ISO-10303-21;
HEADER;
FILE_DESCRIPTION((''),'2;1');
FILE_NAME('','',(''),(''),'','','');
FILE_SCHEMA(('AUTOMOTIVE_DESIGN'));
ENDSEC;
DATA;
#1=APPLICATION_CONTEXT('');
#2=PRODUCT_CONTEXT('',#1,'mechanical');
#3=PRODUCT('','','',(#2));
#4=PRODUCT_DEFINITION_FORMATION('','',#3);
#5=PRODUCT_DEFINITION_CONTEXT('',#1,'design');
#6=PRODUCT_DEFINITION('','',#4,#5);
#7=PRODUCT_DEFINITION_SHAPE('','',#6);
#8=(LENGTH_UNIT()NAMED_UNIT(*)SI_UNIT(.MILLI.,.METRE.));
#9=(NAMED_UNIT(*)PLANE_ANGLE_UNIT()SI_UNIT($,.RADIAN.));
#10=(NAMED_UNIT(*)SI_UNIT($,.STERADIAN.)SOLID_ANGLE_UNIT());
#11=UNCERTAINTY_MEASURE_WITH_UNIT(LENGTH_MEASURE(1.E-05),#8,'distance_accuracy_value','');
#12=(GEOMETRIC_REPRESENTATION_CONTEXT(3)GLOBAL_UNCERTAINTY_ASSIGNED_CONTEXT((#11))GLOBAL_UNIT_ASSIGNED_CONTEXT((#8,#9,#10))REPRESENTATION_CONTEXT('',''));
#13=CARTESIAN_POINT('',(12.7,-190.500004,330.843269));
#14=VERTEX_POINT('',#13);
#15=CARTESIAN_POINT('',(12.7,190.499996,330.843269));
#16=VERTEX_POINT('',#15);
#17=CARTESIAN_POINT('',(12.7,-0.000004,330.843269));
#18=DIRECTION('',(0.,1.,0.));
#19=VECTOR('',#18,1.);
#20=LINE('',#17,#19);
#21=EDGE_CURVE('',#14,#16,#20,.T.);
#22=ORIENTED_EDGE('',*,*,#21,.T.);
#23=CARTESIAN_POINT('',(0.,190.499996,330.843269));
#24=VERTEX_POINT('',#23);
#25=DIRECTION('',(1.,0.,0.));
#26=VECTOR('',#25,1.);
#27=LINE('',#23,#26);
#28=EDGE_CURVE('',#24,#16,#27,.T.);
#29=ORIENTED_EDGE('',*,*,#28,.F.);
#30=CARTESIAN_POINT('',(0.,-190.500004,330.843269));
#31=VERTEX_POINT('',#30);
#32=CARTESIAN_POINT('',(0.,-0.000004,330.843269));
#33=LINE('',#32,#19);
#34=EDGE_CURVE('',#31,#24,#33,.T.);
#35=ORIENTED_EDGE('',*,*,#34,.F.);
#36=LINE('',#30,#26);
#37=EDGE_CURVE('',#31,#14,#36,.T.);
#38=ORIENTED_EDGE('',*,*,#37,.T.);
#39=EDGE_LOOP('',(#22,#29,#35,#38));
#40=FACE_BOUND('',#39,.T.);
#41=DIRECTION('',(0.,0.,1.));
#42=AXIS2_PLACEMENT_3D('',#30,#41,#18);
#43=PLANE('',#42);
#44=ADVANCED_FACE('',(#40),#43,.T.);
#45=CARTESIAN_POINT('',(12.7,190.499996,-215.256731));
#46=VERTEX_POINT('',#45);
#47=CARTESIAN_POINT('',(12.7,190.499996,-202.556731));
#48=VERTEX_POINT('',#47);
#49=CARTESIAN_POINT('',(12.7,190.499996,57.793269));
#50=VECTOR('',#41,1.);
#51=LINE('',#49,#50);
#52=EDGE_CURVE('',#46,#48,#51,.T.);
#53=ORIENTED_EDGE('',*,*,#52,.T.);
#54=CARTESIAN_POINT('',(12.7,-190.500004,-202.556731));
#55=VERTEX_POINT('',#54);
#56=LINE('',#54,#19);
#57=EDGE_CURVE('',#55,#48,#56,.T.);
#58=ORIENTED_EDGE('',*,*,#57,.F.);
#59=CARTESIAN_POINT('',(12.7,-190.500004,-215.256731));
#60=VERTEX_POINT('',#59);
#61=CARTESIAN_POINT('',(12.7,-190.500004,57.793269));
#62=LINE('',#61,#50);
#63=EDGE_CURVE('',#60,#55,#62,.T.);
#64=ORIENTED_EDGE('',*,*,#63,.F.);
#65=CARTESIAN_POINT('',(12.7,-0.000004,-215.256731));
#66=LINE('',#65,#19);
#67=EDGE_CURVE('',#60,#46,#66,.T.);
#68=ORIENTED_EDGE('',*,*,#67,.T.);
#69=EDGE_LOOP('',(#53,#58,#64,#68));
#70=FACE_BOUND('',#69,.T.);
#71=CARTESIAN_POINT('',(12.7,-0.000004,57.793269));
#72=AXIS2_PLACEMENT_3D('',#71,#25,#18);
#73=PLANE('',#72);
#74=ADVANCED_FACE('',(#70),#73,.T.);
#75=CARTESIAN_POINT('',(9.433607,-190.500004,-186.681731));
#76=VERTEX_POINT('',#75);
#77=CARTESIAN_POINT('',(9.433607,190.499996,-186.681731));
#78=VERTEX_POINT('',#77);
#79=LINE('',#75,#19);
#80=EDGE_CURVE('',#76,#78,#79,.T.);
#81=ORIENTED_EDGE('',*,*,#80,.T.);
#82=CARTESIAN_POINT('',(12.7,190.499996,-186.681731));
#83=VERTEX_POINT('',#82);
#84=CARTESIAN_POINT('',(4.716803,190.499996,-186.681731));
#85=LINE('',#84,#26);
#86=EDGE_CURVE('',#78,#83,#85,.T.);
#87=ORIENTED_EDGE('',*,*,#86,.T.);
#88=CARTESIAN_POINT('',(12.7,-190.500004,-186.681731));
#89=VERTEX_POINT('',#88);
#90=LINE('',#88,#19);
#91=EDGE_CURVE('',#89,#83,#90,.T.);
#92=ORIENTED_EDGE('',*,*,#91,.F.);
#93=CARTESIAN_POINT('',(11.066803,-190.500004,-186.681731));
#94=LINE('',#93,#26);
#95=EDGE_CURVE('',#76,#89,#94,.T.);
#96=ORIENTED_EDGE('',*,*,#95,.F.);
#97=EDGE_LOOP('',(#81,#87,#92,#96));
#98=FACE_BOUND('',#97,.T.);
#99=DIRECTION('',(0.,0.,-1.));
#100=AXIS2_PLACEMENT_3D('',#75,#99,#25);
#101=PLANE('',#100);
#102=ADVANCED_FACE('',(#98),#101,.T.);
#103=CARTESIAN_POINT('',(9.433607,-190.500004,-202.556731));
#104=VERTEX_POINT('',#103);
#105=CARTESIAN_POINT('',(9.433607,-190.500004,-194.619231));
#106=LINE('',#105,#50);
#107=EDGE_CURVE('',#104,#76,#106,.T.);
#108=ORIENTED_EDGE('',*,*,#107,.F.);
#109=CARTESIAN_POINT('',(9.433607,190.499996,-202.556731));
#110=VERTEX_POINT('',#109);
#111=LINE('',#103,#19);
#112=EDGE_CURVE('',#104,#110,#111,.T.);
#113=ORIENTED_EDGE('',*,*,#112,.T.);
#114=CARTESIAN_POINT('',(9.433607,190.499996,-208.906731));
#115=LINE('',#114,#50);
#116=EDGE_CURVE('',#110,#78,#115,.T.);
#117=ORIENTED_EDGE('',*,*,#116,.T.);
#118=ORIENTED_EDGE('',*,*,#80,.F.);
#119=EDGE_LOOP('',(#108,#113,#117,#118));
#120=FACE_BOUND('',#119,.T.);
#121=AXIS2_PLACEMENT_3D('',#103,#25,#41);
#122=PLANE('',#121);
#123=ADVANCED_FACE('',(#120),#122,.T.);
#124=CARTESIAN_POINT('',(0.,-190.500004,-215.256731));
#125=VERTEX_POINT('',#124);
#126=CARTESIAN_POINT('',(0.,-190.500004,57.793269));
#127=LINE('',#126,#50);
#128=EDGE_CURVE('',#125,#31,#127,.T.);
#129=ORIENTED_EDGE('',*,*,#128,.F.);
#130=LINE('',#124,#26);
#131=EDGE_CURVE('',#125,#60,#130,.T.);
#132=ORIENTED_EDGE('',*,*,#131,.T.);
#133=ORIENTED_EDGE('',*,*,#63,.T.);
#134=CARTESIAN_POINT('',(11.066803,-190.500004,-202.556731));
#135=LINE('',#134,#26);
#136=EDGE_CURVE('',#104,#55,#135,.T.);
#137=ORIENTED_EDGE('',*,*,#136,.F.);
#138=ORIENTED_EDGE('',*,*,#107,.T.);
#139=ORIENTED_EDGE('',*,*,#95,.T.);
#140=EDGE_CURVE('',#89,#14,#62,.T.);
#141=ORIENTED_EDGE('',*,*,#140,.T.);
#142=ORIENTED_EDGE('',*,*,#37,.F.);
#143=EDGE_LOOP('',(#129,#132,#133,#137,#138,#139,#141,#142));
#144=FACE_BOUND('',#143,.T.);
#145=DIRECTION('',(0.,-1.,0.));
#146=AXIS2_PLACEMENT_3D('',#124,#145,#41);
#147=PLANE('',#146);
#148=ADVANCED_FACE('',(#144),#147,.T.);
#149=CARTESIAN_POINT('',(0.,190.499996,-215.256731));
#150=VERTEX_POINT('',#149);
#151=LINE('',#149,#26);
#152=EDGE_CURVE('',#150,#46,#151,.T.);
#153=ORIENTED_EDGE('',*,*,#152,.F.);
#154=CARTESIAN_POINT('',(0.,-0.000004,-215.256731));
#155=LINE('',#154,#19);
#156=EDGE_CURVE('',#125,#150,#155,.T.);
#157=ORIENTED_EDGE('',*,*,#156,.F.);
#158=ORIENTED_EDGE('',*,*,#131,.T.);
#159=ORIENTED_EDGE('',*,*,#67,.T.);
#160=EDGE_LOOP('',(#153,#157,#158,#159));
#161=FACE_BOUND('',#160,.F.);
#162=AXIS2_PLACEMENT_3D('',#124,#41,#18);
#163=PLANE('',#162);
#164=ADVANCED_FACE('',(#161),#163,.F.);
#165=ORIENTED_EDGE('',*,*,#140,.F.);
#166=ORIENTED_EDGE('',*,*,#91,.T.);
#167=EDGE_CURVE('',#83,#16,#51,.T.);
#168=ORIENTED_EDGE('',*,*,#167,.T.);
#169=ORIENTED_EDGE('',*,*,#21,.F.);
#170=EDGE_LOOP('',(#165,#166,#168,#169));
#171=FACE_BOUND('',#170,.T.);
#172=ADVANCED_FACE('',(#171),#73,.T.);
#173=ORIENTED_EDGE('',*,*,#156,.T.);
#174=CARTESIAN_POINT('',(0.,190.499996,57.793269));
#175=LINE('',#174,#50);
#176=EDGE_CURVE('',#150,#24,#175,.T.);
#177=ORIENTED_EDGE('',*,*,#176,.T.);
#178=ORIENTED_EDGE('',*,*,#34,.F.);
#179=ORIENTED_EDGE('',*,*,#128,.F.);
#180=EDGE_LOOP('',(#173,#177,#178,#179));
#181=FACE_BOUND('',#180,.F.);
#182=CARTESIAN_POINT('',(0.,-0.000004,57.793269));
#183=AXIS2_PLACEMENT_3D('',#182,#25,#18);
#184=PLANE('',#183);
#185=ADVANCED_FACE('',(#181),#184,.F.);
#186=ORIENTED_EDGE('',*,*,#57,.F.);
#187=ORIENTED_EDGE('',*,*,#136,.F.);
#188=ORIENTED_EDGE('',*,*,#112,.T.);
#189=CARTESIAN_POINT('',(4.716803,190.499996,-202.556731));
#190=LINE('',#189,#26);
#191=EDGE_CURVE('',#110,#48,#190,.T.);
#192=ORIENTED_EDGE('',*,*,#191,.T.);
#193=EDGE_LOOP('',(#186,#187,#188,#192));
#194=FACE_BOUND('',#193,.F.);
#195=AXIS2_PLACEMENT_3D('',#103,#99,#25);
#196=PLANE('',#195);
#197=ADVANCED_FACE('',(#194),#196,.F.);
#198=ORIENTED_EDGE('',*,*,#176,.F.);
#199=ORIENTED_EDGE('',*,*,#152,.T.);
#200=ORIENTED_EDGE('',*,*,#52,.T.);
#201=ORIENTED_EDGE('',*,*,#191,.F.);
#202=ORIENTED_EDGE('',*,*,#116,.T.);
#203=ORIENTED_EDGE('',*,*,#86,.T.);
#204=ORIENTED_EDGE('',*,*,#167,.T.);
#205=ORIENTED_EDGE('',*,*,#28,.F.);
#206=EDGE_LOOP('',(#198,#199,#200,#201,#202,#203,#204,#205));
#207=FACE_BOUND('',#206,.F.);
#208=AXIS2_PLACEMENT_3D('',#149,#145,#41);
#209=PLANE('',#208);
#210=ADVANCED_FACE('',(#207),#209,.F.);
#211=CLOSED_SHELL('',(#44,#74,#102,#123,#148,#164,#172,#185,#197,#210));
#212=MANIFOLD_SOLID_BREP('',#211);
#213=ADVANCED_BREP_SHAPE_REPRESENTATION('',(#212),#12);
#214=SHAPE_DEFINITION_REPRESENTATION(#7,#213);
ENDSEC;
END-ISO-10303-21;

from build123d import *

# Parameters (mm, degrees)
F0_W     = 381
F0_H     = 546.1
F1_DEPTH = 12.7
F2_W     = 3.2663933605
F2_H     = 15.875
F3_DEPTH = 424.434


with BuildPart() as f1:
    # F0 (on Right) → F1 (new body)
    with BuildSketch(Plane.YZ):
        with Locations((-3.7253e-06, 57.7932692332)):
            Rectangle(F0_W, F0_H)
    extrude(amount=F1_DEPTH)

    # F2 (on face) → F3 (cut)
    with BuildSketch(Plane.XZ.offset(190.5000037253)):
        with Locations((11.0668033198, -194.6192307668)):
            Rectangle(F2_W, F2_H)
    extrude(amount=-F3_DEPTH, mode=Mode.SUBTRACT)


solid = f1.part
